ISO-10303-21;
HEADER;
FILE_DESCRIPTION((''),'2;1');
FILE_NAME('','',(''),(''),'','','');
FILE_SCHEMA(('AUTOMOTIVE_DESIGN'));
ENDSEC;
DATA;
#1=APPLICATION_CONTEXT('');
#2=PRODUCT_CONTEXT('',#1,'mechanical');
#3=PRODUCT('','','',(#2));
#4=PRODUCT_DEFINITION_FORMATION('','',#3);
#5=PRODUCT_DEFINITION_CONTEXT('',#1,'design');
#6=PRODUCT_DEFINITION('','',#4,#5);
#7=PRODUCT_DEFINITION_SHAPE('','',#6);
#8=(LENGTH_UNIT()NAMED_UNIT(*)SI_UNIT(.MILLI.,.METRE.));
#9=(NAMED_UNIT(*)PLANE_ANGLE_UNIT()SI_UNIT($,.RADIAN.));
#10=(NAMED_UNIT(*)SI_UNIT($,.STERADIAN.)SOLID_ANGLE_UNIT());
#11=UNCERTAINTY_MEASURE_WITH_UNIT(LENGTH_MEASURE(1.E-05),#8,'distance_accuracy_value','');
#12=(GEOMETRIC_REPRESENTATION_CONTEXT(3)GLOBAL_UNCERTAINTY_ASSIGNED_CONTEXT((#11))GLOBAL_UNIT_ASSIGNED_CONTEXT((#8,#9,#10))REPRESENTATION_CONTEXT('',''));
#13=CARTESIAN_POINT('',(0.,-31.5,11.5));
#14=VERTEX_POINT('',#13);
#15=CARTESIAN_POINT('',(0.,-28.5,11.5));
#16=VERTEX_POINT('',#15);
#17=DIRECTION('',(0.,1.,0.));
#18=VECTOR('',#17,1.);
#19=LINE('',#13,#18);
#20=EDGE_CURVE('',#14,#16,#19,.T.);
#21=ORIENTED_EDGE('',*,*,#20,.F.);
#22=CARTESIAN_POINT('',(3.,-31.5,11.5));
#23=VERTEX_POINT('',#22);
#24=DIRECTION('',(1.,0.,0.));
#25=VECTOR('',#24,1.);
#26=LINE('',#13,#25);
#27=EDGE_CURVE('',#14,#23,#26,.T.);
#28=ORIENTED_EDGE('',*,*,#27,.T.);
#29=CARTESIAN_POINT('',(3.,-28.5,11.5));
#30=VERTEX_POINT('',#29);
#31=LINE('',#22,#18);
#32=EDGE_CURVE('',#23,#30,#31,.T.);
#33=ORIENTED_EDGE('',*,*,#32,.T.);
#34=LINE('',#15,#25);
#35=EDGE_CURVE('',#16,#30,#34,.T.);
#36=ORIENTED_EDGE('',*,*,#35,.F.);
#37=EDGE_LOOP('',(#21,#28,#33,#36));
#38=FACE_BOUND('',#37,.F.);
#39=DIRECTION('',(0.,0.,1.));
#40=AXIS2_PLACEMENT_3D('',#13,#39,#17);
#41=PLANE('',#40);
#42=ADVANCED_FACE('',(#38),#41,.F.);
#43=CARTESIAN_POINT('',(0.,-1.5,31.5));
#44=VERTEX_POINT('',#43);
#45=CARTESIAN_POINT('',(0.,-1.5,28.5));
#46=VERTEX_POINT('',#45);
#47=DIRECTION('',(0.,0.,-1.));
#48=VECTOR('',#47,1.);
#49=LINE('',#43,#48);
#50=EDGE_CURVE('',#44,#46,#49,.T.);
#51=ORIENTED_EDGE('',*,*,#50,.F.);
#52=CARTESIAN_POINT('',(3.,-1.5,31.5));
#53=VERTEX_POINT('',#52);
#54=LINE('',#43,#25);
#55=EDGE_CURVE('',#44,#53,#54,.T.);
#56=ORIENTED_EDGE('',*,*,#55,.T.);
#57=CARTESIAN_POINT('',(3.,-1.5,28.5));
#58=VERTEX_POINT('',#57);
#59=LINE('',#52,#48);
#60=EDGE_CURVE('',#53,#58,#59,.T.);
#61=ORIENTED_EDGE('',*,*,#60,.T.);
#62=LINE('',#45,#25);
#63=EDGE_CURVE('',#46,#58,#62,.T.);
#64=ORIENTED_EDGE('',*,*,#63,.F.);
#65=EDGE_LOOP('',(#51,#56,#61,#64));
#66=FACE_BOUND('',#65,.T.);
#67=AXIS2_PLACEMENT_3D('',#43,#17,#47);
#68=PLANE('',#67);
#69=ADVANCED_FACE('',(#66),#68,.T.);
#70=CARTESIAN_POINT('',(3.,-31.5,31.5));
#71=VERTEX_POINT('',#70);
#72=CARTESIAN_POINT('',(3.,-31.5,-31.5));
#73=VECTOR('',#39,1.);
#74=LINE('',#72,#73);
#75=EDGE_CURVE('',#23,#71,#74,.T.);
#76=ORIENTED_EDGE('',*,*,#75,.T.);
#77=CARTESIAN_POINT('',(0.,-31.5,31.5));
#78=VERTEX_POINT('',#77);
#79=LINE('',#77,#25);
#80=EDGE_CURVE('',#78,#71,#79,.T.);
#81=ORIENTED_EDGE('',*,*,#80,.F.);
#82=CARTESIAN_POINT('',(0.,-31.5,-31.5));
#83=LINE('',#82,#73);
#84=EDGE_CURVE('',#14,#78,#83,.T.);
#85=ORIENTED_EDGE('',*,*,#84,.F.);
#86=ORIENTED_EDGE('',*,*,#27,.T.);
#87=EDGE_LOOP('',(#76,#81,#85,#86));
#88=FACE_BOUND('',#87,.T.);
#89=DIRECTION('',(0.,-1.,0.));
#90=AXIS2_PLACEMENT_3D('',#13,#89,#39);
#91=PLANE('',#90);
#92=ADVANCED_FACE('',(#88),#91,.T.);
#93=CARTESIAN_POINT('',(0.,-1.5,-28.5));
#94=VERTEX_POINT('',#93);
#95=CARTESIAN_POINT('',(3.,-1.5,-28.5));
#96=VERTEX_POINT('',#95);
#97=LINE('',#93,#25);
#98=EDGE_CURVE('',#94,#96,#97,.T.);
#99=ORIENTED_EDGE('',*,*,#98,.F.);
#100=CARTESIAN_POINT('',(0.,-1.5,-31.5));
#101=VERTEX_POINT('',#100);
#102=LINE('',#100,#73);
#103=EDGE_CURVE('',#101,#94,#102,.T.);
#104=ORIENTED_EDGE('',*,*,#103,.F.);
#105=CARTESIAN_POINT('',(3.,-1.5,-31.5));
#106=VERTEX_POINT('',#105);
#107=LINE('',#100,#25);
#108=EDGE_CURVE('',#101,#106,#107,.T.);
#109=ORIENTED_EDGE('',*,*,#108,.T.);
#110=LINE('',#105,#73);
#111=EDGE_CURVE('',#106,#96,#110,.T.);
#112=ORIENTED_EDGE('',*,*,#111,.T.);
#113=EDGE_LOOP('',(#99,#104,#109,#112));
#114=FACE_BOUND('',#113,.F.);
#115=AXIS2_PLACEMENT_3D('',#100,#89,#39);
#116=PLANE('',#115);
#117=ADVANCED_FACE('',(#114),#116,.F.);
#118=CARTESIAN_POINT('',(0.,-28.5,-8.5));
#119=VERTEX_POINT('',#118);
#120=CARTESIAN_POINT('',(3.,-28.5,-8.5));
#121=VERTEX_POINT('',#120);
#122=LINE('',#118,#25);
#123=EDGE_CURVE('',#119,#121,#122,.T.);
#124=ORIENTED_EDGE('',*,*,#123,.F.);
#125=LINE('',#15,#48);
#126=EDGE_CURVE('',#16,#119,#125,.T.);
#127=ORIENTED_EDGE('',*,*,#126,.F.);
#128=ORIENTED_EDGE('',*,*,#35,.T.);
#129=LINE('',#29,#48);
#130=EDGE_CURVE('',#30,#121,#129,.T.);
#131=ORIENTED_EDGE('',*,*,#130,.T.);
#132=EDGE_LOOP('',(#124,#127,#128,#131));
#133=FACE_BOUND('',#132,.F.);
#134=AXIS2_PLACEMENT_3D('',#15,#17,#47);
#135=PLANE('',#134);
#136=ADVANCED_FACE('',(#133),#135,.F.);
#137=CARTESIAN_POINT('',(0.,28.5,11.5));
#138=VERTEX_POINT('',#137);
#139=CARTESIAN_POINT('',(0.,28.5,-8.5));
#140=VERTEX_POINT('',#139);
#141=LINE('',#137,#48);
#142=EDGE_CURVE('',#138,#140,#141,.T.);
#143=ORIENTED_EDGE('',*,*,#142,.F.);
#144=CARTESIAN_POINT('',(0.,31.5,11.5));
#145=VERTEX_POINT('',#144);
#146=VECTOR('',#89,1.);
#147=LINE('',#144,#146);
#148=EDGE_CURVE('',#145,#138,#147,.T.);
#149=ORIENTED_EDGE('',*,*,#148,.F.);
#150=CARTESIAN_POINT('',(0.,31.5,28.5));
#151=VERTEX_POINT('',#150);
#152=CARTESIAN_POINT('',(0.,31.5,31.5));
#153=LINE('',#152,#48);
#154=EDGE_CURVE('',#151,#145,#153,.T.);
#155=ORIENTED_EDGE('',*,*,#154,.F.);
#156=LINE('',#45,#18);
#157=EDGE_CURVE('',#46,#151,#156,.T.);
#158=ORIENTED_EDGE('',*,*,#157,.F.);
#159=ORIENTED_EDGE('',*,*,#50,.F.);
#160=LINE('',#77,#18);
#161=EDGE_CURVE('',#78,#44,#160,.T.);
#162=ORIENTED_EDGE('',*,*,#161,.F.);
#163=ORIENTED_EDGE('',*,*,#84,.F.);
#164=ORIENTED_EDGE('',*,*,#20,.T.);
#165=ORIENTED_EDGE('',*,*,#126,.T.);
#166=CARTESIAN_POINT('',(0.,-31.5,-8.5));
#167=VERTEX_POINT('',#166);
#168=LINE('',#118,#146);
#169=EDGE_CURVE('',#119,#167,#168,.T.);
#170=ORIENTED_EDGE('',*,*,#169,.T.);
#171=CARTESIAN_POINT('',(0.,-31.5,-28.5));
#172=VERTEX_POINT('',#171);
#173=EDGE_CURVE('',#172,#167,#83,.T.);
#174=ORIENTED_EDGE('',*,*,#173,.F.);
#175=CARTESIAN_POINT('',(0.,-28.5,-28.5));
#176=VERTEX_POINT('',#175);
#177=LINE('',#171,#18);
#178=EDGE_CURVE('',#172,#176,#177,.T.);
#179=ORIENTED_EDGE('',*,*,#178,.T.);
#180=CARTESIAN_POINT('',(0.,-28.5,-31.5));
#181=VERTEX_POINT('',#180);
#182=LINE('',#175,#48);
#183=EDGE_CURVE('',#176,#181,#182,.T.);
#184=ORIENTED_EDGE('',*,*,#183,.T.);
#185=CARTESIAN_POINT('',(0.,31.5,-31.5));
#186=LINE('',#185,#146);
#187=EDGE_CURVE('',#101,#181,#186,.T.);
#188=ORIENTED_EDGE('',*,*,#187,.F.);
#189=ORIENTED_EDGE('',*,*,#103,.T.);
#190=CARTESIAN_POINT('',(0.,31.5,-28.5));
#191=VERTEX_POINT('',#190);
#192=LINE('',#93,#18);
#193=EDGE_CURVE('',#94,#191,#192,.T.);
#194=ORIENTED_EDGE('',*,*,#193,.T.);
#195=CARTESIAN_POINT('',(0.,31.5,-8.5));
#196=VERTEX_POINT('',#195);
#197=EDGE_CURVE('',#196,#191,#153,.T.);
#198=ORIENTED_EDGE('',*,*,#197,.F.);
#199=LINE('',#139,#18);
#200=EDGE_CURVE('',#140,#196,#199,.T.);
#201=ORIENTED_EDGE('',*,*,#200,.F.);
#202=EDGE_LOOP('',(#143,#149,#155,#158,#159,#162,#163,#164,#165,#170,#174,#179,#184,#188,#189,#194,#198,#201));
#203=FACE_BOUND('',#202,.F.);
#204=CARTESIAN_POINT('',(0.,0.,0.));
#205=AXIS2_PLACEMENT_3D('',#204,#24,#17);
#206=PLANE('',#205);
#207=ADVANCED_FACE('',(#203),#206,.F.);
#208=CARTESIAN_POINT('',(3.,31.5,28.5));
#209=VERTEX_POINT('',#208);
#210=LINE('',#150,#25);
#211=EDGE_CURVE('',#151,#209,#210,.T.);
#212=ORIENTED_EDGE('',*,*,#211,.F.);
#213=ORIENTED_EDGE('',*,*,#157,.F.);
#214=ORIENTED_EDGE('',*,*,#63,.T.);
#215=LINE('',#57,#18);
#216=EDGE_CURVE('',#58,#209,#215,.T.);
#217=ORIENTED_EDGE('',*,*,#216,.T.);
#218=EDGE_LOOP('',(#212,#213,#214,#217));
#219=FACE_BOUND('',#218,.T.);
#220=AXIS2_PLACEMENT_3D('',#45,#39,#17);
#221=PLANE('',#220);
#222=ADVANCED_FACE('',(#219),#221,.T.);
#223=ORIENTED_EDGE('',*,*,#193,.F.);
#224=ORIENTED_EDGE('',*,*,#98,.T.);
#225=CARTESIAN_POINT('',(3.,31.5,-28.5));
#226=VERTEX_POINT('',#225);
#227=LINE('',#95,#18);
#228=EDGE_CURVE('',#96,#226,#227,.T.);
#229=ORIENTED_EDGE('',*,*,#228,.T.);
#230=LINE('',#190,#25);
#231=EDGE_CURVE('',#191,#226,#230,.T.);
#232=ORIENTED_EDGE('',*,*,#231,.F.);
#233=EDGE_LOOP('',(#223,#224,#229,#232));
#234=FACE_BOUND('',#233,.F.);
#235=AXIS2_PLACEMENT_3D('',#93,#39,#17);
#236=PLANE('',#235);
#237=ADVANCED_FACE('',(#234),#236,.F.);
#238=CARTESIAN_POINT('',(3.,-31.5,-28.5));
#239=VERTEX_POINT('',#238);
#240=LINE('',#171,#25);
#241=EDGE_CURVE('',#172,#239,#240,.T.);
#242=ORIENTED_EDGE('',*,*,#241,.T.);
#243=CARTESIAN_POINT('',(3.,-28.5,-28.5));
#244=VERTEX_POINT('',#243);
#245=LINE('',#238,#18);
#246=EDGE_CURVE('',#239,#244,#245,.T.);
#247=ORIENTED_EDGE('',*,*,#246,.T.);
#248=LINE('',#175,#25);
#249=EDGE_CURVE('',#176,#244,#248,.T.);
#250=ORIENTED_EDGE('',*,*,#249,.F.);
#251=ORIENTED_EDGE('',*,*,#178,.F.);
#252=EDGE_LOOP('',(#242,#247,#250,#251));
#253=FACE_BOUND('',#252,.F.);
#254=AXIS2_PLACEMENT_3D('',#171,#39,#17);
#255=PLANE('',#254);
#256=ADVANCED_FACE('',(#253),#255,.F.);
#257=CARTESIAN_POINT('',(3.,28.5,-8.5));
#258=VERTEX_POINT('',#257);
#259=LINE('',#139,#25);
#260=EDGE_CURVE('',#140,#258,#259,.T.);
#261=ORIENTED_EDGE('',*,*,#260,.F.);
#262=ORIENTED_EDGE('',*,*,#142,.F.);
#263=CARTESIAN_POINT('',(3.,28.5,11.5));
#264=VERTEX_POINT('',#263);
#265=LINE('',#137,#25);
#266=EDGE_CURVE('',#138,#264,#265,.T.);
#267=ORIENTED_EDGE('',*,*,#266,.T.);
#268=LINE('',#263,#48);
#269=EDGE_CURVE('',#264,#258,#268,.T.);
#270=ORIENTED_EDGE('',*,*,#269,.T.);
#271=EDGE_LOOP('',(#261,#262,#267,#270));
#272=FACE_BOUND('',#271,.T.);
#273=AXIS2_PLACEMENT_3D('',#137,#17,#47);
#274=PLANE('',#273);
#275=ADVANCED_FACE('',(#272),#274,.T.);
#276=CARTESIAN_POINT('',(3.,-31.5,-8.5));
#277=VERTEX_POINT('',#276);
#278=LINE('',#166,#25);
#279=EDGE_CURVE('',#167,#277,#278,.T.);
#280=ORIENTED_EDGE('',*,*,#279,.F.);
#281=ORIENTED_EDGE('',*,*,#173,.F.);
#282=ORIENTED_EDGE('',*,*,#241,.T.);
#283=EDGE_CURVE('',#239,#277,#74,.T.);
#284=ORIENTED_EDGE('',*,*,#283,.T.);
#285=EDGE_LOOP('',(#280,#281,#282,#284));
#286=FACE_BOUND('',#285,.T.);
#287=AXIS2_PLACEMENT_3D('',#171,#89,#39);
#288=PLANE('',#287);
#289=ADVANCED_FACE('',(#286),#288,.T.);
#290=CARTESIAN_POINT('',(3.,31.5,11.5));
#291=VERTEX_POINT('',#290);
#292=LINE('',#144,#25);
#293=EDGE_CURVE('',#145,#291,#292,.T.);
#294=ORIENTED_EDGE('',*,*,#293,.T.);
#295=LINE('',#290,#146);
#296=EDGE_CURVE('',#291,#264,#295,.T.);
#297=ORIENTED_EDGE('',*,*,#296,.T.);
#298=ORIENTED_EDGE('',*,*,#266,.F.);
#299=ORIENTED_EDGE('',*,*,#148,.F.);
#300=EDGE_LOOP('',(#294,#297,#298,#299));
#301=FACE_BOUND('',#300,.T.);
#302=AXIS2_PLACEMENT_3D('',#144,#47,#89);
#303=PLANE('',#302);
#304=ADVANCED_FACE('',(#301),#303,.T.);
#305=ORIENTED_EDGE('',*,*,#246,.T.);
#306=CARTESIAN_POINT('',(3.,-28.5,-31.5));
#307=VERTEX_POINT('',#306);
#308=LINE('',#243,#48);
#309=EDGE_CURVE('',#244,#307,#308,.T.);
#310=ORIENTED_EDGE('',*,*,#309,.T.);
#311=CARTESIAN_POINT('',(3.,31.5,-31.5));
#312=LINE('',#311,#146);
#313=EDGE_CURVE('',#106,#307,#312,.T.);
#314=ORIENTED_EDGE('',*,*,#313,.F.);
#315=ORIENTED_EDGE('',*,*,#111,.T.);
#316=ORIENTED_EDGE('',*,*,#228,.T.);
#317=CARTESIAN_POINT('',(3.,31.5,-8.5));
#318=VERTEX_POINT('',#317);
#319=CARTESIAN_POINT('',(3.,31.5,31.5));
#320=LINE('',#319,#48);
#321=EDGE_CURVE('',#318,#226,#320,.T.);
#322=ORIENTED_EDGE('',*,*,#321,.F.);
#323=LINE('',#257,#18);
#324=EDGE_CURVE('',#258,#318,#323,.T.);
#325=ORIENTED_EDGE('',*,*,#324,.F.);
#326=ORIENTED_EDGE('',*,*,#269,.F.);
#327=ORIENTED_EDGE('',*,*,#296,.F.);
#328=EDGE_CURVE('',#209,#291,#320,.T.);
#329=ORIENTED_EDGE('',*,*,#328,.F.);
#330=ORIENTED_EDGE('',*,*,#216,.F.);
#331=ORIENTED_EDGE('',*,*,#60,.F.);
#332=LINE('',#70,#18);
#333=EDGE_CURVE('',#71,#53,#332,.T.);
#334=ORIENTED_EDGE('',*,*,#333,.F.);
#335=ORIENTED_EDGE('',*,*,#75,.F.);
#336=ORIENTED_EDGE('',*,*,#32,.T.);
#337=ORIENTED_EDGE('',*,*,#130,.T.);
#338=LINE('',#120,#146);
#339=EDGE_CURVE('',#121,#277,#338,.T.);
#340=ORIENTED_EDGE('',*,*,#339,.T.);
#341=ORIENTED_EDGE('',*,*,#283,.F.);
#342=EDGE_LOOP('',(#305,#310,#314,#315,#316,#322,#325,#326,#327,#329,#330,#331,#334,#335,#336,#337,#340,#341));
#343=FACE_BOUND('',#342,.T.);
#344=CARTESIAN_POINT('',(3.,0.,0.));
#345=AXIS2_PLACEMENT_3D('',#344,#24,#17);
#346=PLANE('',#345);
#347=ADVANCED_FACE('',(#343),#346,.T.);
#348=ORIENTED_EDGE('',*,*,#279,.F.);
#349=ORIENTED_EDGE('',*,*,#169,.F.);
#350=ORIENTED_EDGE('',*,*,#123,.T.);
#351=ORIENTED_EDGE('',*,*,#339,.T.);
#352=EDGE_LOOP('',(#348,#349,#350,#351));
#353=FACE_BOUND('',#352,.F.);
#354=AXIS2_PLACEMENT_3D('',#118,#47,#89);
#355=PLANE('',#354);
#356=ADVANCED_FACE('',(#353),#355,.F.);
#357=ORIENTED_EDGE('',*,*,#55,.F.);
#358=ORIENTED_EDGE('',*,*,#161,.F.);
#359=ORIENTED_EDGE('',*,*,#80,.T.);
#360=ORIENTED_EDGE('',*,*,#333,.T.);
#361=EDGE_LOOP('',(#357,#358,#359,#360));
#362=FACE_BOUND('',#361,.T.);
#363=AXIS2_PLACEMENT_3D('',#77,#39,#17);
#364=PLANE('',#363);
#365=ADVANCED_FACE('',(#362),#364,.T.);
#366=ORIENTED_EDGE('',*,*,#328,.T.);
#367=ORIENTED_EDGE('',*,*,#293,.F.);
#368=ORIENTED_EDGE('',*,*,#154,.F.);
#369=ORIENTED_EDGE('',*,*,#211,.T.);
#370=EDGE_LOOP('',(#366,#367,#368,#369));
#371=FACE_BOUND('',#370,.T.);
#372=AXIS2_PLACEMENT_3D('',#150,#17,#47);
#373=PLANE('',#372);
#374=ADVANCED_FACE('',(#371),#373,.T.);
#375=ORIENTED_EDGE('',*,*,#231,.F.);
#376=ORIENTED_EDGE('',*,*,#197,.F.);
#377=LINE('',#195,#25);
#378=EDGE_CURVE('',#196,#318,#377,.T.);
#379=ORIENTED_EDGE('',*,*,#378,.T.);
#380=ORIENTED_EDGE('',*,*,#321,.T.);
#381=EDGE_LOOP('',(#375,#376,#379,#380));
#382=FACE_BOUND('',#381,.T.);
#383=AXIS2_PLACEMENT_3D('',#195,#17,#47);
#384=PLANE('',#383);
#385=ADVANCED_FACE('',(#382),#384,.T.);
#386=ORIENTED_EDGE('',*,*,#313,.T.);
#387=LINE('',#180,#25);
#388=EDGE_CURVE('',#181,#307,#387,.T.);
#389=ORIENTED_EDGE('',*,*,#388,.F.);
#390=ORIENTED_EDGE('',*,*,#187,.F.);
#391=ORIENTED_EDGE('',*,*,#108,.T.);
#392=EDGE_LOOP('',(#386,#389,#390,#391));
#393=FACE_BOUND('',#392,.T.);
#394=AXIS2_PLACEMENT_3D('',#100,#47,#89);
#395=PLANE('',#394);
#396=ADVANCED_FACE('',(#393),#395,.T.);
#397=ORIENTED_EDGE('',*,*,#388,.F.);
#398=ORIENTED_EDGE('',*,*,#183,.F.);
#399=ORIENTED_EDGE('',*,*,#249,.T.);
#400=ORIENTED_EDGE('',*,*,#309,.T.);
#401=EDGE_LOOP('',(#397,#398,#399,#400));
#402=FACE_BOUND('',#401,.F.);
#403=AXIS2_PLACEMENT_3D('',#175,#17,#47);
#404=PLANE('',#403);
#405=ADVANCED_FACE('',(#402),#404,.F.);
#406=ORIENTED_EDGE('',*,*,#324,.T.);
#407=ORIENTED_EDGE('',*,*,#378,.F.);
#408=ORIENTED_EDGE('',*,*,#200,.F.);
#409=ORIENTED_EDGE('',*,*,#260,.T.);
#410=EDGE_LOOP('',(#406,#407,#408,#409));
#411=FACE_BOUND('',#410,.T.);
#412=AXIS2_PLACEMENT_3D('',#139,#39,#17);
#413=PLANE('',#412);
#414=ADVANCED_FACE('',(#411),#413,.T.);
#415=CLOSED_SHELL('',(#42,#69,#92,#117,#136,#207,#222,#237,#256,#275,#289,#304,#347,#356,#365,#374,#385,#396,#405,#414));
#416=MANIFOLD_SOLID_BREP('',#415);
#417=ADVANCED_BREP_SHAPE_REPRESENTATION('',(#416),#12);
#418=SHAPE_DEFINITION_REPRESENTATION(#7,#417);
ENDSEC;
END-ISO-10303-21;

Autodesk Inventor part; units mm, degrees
ref_plane "YZ Plane" through (0, 0, 0) normal (1, 0, 0) x (0, 1, 0)
ref_plane "XZ Plane" through (0, 0, 0) normal (0, 1, 0) x (-1, 0, 0)
ref_plane "XY Plane" through (0, 0, 0) normal (0, 0, 1) x (1, 0, 0)
sketch "Sketch1" plane through (0, 0, 0) normal (1, 0, 0) x (0, 1, 0)
  line L0 (-31.5, 31.5) -> (31.5, 31.5)
  line L1 (31.5, 31.5) -> (31.5, -31.5)
  line L2 (31.5, -31.5) -> (-31.5, -31.5)
  line L3 (-31.5, -31.5) -> (-31.5, 31.5)
  line L4 (-31.5, 31.5) -> (31.5, -31.5) construction
  line L5 (31.5, 31.5) -> (-31.5, -31.5) construction
  line L6 (31.5, 31.5) -> (-1.5, 31.5)
  line L7 (-1.5, 31.5) -> (-1.5, 28.5)
  line L8 (-1.5, 28.5) -> (31.5, 28.5)
  line L9 (31.5, 28.5) -> (31.5, 31.5)
  line L10 (31.5, -31.5) -> (-1.5, -31.5)
  line L11 (-1.5, -31.5) -> (-1.5, -28.5)
  line L12 (-1.5, -28.5) -> (31.5, -28.5)
  line L13 (31.5, -28.5) -> (31.5, -31.5)
  line L14 (-31.5, 11.5) -> (-28.5, 11.5)
  line L15 (-28.5, 11.5) -> (-28.5, -8.5)
  line L16 (-28.5, -8.5) -> (-31.5, -8.5)
  line L17 (-31.5, -8.5) -> (-31.5, 11.5)
  line L18 (-31.5, -28.5) -> (-28.5, -28.5)
  line L19 (-28.5, -28.5) -> (-28.5, -31.5)
  line L20 (-28.5, -31.5) -> (-31.5, -31.5)
  line L21 (-31.5, -31.5) -> (-31.5, -28.5)
  line L22 (31.5, 11.5) -> (28.5, 11.5)
  line L23 (28.5, 11.5) -> (28.5, -8.5)
  line L24 (28.5, -8.5) -> (31.5, -8.5)
  line L25 (31.5, -8.5) -> (31.5, 11.5)
  point P0 (0, 0)
  dimension "d0" = 63
  dimension "d1" = 63
  dimension "d2" = 33
  dimension "d3" = 3
  dimension "d4" = 3
  dimension "d5" = 3
  dimension "d6" = 20
  dimension "d7" = 20
  dimension "d8" = 3
extrude "Extrusion1" add sketch "Sketch1" along normal blind 3 contours L0 L7 L8 L1 L22 L23 L24 L12 L11 L2 L19 L18 L3 L16 L15 L14
equation "\"d4\" = d3"
properties part number "cham_side"
